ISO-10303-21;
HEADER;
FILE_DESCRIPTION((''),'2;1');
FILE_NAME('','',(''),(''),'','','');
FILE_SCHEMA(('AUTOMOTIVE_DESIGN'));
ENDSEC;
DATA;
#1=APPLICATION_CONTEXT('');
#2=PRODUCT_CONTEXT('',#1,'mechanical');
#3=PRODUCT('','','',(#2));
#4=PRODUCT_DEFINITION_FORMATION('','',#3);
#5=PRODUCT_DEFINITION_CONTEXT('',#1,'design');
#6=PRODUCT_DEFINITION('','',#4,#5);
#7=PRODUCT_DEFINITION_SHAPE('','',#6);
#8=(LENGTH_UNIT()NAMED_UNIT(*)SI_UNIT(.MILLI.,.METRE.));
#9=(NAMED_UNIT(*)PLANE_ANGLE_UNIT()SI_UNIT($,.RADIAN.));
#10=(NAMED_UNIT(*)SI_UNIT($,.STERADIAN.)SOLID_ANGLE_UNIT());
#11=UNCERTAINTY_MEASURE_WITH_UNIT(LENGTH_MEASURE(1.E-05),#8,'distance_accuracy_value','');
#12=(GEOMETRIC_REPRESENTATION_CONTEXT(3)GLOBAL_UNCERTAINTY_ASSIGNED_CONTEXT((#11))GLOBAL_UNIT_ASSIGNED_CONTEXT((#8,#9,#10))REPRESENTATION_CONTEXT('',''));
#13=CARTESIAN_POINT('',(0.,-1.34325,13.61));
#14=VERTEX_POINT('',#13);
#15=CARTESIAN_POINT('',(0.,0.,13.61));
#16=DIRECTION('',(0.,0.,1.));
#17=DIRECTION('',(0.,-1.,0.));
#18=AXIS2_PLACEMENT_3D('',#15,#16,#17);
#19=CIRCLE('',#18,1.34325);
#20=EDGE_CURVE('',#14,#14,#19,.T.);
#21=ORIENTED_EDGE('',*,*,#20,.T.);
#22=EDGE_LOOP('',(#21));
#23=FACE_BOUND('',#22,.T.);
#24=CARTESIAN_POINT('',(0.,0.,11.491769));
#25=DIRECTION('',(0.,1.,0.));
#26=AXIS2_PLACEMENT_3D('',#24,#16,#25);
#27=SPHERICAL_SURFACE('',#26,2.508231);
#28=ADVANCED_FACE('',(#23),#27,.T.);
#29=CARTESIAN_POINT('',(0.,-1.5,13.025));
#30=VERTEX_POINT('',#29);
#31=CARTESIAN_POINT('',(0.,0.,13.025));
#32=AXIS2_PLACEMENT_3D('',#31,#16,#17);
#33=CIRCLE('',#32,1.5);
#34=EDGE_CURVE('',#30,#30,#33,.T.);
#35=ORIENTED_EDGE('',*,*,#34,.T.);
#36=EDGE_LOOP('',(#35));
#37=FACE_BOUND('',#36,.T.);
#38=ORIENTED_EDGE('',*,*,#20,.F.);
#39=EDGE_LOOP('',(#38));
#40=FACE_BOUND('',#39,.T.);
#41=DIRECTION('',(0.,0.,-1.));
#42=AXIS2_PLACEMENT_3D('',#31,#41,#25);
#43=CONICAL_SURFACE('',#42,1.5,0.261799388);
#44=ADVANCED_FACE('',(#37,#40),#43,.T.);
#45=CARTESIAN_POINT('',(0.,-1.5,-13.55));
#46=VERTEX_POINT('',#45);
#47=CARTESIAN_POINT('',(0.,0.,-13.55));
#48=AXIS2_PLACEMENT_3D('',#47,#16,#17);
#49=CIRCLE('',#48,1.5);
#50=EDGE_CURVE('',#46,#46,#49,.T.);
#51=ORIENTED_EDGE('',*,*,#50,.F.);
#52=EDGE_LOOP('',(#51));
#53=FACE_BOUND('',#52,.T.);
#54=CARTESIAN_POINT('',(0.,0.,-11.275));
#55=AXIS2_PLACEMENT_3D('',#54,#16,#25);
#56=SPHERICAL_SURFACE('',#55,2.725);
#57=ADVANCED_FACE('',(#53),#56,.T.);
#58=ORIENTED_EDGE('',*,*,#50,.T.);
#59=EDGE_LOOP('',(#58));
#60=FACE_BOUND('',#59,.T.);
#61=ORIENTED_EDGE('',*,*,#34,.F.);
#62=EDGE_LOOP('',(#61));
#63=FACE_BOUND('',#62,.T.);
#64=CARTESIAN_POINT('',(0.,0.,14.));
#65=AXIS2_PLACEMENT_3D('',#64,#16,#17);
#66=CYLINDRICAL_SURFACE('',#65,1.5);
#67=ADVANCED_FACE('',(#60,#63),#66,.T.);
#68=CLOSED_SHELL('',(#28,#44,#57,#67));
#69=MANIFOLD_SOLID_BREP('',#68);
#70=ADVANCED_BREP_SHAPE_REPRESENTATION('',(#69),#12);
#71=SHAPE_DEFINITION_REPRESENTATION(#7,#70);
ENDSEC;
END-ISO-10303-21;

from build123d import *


with BuildPart() as part:
    # Sketch3 → Revolve1 (revolve)
    with BuildSketch(Plane(origin=(0, 0, 0), x_dir=(0, 0, -1), z_dir=(1, 0, 0))):
        with BuildLine():
            Line((-14, 0), (14, 0))
            ThreePointArc((14, 0), (13.885076627, 0.783022988), (13.55, 1.5))
            Line((13.55, 1.5), (-13.025, 1.5))
            Line((-13.025, 1.5), (-13.61, 1.343249722))
            ThreePointArc((-13.61, 1.343249722), (-13.90052754, 0.699360389), (-14, 0))
        make_face()
    revolve(axis=Axis((0, 0, 14), (0, 0, -1)))


solid = part.part
